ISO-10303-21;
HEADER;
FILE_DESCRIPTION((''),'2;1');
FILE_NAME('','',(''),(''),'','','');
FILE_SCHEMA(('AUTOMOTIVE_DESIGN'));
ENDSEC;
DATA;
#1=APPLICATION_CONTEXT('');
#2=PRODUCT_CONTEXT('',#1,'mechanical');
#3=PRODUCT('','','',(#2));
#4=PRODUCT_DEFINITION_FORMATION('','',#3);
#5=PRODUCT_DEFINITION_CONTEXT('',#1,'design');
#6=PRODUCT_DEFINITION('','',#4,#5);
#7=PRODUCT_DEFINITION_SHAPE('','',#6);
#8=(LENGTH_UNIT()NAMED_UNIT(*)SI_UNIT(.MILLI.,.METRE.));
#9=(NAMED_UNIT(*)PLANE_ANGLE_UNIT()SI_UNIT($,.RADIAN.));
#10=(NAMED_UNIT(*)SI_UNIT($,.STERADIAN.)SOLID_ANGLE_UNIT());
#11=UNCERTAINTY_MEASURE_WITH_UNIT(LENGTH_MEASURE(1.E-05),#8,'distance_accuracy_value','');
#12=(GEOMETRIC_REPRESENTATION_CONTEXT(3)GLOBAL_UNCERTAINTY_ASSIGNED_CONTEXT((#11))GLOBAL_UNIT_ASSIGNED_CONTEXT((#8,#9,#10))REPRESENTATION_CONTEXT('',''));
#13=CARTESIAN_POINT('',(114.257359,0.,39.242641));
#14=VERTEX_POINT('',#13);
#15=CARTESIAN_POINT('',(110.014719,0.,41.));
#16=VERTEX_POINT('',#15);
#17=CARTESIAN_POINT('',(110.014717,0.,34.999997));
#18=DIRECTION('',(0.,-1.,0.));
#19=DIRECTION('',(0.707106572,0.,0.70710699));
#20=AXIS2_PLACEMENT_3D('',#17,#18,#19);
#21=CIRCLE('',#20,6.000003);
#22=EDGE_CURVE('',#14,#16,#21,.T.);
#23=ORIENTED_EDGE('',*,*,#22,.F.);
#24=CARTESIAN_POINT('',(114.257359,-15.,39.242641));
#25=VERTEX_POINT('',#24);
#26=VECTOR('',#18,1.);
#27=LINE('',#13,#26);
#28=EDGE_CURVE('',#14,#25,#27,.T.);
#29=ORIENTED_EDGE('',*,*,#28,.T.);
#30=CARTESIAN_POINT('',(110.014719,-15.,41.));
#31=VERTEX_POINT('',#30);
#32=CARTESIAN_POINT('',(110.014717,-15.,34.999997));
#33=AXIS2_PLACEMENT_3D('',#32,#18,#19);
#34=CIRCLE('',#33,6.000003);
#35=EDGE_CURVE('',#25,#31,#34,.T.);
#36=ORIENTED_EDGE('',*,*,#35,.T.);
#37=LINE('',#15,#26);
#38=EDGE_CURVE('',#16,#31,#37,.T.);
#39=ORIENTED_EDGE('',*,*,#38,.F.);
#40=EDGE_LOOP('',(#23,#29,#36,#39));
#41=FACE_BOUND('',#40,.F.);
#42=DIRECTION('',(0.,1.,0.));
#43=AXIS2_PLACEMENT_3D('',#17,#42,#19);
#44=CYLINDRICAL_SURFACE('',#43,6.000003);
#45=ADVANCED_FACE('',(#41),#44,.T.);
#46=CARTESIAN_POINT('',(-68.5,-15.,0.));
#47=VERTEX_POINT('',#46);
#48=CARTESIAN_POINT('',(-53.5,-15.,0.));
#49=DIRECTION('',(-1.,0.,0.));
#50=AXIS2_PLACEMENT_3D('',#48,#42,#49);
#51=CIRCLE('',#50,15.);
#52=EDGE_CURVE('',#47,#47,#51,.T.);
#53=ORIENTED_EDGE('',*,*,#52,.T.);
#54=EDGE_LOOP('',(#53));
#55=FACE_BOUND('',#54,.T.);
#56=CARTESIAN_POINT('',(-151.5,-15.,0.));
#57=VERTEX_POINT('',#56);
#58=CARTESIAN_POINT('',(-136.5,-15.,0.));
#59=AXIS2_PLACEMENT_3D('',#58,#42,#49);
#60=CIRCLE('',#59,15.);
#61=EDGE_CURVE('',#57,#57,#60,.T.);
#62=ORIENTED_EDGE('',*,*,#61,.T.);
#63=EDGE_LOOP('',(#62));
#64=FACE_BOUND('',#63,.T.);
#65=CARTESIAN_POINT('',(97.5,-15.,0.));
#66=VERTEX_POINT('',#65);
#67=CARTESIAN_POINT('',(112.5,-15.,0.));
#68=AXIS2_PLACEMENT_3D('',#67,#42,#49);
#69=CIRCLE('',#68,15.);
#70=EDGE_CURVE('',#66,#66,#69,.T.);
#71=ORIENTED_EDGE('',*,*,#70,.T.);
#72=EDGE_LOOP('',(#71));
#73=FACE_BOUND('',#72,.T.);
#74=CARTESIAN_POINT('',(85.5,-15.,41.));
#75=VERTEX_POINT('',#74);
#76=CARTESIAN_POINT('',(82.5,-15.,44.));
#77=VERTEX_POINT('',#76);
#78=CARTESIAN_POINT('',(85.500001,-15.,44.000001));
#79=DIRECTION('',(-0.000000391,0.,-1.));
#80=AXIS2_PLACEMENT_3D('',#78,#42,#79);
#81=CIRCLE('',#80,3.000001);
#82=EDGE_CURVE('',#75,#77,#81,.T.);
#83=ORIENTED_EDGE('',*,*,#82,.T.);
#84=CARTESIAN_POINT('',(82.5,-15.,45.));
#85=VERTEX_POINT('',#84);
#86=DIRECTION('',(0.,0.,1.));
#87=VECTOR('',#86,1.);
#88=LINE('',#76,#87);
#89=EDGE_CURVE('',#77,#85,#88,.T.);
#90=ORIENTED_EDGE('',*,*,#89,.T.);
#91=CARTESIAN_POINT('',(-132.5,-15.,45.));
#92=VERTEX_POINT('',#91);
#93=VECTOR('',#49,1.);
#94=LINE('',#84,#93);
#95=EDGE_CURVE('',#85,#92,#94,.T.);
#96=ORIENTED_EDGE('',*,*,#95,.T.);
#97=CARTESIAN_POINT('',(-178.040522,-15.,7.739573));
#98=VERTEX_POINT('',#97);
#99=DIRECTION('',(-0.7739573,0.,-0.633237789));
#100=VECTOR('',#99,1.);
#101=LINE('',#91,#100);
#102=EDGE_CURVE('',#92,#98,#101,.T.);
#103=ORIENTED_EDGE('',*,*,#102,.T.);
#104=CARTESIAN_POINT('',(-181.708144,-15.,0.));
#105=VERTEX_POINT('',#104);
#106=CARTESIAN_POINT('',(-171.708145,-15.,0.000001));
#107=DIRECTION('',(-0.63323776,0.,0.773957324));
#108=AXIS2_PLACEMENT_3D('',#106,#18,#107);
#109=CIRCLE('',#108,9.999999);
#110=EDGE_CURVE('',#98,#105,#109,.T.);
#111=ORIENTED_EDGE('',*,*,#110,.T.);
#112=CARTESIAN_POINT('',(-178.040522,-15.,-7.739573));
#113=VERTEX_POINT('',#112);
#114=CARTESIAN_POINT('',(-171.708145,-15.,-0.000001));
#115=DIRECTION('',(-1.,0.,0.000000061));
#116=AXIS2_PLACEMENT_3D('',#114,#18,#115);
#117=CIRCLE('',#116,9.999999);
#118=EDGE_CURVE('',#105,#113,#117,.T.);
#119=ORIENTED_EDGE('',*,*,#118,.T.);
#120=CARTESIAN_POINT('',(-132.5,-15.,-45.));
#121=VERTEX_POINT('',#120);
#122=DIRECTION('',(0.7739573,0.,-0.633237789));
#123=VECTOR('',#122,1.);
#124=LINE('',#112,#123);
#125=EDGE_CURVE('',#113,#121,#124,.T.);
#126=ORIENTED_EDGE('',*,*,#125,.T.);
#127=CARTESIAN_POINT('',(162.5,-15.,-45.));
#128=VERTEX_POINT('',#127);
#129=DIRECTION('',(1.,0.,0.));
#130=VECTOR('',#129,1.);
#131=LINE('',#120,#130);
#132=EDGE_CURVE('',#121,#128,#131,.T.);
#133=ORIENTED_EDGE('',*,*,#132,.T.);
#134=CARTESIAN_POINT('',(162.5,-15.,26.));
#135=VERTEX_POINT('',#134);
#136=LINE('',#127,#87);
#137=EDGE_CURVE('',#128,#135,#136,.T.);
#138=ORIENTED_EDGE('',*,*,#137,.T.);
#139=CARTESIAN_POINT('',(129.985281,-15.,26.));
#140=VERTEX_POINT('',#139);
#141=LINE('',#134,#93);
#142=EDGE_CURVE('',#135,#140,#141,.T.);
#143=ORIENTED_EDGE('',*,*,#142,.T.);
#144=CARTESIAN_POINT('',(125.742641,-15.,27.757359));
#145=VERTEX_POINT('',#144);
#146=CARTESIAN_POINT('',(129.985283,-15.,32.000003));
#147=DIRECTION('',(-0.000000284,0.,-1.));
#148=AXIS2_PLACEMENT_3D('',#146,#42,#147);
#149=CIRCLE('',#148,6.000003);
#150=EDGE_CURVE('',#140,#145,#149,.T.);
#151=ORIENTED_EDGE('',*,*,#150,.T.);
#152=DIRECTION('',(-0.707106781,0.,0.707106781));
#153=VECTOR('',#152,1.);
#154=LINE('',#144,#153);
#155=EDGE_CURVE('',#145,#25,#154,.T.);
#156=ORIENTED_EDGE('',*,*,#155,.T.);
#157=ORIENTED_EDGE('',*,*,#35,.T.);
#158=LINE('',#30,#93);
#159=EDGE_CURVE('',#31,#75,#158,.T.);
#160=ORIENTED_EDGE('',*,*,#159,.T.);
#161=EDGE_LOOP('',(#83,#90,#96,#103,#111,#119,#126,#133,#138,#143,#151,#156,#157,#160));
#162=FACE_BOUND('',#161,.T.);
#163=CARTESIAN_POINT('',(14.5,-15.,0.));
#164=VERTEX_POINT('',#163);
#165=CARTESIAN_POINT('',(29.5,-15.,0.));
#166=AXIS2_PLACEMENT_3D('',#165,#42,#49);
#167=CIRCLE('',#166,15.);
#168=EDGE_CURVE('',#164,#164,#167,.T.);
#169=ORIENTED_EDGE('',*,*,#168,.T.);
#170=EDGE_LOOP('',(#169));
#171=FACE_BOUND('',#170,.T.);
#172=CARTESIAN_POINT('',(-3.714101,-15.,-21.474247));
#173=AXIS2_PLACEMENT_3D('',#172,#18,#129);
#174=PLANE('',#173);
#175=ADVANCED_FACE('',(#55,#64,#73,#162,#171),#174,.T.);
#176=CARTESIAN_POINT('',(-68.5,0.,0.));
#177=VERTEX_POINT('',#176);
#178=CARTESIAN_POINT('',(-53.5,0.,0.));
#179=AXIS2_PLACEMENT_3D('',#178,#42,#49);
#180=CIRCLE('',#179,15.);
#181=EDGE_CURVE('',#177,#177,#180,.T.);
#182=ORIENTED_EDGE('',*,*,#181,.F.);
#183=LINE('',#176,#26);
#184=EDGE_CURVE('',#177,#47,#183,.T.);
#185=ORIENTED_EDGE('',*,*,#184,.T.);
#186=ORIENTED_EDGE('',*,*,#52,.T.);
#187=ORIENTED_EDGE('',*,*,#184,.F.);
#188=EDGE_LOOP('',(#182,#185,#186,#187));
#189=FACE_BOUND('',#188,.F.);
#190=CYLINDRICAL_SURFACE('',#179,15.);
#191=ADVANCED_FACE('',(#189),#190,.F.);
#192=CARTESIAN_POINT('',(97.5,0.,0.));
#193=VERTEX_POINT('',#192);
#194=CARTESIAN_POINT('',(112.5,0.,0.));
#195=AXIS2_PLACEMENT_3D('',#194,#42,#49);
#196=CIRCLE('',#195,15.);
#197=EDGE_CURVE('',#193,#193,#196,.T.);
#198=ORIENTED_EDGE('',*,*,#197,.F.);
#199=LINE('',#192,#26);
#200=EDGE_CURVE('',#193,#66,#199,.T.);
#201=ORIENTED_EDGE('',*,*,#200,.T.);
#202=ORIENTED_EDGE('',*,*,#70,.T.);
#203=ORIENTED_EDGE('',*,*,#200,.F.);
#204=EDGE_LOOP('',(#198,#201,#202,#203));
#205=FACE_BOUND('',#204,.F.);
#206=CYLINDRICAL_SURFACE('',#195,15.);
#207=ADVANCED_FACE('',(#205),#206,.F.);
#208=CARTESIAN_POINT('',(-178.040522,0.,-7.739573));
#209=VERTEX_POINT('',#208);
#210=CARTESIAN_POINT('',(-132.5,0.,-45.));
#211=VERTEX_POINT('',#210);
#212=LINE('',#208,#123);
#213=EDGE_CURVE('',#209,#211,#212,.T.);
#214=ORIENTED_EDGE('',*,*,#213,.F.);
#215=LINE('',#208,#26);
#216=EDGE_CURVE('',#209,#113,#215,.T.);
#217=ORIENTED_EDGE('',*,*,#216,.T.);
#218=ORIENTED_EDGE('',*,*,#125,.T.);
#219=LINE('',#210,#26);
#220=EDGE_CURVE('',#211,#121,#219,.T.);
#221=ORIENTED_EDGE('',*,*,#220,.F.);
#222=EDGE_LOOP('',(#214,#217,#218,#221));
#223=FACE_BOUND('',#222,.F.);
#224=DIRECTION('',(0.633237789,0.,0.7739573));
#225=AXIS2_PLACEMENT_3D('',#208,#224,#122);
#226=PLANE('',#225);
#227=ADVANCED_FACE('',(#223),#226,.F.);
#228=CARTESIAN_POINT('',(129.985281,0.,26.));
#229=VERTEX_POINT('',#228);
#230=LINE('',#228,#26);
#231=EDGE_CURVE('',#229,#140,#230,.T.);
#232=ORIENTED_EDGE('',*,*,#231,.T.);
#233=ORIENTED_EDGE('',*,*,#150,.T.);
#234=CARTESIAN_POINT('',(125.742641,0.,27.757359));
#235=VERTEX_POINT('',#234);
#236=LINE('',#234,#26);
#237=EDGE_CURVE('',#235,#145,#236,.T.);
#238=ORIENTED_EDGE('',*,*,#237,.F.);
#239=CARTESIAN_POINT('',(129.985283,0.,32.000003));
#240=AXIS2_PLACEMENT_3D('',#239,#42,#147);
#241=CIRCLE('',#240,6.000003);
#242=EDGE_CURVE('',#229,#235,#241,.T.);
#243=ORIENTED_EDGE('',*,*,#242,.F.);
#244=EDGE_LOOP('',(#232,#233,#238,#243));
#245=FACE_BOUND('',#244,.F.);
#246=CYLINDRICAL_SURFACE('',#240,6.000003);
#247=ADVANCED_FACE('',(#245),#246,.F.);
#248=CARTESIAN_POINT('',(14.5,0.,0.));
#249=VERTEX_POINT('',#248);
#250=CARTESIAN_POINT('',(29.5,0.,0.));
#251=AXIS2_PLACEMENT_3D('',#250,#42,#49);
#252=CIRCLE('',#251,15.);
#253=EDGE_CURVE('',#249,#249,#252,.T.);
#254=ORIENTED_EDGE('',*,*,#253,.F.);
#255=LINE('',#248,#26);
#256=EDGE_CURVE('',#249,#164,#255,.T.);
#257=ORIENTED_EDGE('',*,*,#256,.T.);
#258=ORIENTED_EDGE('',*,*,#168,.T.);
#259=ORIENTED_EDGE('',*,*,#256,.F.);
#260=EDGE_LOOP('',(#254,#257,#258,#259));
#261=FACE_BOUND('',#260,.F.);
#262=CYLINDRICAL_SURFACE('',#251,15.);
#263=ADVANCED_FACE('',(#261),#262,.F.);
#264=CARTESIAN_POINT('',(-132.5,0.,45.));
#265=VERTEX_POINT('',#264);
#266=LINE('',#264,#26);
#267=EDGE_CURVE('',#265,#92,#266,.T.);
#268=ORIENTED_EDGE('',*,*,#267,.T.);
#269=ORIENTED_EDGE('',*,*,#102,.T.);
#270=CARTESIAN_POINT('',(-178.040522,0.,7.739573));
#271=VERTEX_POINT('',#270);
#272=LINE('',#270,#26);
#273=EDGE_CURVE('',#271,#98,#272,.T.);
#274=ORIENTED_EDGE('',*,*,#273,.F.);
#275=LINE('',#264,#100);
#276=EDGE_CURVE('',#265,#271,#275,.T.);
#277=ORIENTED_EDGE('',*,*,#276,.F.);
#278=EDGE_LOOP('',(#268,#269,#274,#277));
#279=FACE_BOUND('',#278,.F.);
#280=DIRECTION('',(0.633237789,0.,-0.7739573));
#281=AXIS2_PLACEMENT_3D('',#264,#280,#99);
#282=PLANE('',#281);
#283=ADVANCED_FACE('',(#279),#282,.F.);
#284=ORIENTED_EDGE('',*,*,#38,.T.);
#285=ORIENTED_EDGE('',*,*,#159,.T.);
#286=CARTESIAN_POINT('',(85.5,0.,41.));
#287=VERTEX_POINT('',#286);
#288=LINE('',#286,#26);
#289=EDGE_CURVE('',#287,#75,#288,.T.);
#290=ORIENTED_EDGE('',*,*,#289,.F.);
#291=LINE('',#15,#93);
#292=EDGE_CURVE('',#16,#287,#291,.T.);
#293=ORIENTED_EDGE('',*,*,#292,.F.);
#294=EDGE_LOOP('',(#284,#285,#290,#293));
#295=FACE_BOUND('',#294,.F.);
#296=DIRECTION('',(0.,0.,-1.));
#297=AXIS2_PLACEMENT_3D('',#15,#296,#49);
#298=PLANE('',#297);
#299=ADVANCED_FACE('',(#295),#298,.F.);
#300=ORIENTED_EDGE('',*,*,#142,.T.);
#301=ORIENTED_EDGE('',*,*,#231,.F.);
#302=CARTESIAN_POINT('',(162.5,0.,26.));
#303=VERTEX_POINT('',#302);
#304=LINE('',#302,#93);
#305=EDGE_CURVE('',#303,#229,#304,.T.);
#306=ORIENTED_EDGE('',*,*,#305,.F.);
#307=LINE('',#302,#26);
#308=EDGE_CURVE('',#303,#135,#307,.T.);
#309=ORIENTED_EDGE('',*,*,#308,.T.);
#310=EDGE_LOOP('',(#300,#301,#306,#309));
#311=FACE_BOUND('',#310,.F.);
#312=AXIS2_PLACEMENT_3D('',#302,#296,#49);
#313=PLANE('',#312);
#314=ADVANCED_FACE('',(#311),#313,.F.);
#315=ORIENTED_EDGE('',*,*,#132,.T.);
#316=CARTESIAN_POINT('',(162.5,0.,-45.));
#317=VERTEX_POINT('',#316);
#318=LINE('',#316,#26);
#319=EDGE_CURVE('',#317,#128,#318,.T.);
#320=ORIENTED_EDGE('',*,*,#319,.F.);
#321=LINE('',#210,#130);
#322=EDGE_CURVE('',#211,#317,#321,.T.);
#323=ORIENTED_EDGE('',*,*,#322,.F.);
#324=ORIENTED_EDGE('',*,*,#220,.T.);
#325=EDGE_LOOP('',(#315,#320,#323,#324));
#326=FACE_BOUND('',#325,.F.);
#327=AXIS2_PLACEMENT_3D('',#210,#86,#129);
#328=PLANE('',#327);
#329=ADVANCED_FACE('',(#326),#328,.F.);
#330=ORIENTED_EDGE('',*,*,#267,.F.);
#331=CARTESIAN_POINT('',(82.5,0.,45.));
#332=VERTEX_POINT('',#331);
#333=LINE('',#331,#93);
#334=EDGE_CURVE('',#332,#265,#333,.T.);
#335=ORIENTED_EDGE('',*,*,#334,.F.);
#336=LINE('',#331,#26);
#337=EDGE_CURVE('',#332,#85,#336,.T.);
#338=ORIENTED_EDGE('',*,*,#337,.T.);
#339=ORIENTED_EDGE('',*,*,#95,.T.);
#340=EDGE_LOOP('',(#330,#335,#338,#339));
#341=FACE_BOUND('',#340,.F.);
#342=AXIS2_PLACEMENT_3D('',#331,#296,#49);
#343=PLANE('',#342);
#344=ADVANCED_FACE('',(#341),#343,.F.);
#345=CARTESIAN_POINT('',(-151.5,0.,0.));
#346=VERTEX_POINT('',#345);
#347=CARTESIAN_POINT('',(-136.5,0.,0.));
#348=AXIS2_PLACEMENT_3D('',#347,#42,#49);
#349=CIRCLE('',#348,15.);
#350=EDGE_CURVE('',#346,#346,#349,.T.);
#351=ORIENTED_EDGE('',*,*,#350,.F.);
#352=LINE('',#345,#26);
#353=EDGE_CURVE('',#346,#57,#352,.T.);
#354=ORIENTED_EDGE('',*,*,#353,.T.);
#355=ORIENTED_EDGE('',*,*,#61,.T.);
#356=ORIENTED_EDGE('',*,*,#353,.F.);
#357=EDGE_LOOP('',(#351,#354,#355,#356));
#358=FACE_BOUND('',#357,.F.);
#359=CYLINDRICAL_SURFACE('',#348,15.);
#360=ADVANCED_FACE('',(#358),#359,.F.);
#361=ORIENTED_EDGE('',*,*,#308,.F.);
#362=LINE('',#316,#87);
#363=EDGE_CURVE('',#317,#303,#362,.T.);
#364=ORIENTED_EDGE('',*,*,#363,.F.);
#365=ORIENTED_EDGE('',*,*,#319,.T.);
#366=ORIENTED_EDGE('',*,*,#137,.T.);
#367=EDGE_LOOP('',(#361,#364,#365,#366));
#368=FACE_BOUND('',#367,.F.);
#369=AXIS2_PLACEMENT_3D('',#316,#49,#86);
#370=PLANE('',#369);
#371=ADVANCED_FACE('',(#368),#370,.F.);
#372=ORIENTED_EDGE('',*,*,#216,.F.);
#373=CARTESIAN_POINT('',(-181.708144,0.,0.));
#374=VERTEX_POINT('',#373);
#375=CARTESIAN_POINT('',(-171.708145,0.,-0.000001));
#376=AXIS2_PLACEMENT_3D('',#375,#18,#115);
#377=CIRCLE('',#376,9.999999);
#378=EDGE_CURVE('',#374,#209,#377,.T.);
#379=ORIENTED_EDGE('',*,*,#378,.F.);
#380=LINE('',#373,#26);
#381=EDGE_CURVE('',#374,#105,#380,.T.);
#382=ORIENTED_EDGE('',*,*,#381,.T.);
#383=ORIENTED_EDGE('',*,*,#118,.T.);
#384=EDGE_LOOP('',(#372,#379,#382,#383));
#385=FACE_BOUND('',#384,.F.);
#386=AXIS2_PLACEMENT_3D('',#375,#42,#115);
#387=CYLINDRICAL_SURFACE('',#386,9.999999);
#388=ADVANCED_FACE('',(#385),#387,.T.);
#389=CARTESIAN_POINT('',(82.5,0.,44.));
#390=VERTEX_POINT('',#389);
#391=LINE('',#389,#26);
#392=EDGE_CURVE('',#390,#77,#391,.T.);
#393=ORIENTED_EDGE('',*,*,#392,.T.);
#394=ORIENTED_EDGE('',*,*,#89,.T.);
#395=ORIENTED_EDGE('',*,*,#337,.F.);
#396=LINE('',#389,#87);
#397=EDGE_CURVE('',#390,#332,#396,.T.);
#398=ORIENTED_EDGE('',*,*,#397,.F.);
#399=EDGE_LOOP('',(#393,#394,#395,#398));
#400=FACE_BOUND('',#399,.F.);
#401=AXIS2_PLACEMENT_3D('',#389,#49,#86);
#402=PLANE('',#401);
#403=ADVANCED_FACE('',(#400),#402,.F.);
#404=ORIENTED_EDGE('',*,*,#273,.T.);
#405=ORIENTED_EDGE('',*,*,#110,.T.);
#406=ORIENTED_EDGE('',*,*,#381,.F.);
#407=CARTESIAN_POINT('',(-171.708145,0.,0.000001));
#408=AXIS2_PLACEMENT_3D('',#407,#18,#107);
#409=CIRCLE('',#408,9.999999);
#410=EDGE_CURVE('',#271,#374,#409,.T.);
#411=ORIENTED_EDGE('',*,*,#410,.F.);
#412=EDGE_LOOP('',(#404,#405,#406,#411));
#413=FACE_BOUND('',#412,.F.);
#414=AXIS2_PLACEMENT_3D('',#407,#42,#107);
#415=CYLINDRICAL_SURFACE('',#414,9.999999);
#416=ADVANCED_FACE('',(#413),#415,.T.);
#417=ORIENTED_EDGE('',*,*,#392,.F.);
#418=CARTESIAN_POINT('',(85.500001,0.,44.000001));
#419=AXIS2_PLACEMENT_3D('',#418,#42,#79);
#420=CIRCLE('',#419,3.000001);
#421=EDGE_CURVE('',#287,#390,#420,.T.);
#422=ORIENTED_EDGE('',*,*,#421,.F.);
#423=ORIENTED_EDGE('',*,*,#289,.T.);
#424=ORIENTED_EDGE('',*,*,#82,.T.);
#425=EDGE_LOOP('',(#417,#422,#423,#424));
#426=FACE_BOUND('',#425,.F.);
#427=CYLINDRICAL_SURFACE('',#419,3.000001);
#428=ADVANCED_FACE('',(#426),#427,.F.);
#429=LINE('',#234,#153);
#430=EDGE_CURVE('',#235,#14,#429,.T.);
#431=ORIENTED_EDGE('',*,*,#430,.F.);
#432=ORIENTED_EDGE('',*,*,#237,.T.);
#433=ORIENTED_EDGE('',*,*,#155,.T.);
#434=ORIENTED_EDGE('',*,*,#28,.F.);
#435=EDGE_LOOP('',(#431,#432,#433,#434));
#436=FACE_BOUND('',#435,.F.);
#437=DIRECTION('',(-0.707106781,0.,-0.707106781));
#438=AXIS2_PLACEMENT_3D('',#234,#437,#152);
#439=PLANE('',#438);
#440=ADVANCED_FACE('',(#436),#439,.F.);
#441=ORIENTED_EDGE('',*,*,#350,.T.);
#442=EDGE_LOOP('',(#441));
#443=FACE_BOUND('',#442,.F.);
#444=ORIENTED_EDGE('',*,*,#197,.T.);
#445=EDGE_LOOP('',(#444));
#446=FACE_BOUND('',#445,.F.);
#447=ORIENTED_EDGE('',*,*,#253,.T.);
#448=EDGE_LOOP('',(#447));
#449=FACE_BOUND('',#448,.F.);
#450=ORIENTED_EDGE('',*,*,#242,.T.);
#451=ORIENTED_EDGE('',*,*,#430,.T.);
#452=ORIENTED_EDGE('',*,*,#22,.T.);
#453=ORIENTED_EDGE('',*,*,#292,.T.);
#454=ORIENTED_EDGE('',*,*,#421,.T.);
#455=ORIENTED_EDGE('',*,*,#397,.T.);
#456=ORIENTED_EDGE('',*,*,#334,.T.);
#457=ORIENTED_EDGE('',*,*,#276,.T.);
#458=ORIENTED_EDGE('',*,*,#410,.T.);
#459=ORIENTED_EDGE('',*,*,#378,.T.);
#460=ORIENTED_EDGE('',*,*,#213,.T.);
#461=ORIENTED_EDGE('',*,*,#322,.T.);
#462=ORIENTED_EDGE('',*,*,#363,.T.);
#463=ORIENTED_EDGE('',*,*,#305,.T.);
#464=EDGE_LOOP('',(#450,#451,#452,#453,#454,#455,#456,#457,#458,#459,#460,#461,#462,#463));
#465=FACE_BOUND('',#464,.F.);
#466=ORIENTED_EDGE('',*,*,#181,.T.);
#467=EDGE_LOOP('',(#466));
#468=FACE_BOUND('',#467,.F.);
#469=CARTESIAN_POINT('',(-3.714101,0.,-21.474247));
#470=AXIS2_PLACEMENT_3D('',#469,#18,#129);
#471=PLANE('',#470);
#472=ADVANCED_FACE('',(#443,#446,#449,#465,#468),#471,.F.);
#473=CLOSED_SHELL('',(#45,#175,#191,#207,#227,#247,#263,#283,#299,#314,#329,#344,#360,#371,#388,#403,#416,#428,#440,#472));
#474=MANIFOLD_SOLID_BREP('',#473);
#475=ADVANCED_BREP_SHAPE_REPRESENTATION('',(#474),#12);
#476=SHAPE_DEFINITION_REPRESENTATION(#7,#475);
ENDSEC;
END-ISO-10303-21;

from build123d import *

# Parameters (mm, degrees)
F1_DEPTH = 15


with BuildPart() as f1:
    # F0 (on Front) → F1 (new body)
    with BuildSketch(Plane.XZ):
        with BuildLine():
            Line((14.5, 0), (0, 0))
            Line((0, 0), (-38.5, 0))
            ThreePointArc((-38.5, 0), (-53.5, -15), (-68.5, 0))
            Line((-68.5, 0), (-121.5, 0))
            ThreePointArc((-121.5, 0), (-136.5, -15), (-151.5, 0))
            Line((-151.5, 0), (-181.708144, 0))
            ThreePointArc((-181.708144, 0), (-180.744841, -4.282302), (-178.040522, -7.739573))
            Line((-178.040522, -7.739573), (-132.5, -45))
            Line((-132.5, -45), (162.5, -45))
            Line((162.5, -45), (162.5, 0))
            Line((162.5, 0), (127.5, 0))
            ThreePointArc((127.5, 0), (112.5, -15), (97.5, 0))
            Line((97.5, 0), (44.5, 0))
            ThreePointArc((44.5, 0), (29.5, -15), (14.5, 0))
        make_face()
        with BuildLine():
            Line((-38.5, 0), (0, 0))
            Line((0, 0), (14.5, 0))
            ThreePointArc((14.5, 0), (29.5, 15), (44.5, 0))
            Line((44.5, 0), (97.5, 0))
            ThreePointArc((97.5, 0), (112.5, 15), (127.5, 0))
            Line((127.5, 0), (162.5, 0))
            Line((162.5, 0), (162.5, 26))
            Line((162.5, 26), (129.985281, 26))
            ThreePointArc((129.985281, 26), (127.689181, 26.456723), (125.742641, 27.757359))
            Line((125.742641, 27.757359), (114.257359, 39.242641))
            ThreePointArc((114.257359, 39.242641), (112.310819, 40.543277), (110.014719, 41))
            Line((110.014719, 41), (85.5, 41))
            ThreePointArc((85.5, 41), (83.37868, 41.87868), (82.5, 44))
            Line((82.5, 44), (82.5, 45))
            Line((82.5, 45), (-132.5, 45))
            Line((-132.5, 45), (-178.040522, 7.739573))
            ThreePointArc((-178.040522, 7.739573), (-180.744841, 4.282302), (-181.708144, 0))
            Line((-181.708144, 0), (-151.5, 0))
            ThreePointArc((-151.5, 0), (-136.5, 15), (-121.5, 0))
            Line((-121.5, 0), (-68.5, 0))
            ThreePointArc((-68.5, 0), (-53.5, 15), (-38.5, 0))
        make_face()
    extrude(amount=F1_DEPTH)


solid = f1.part
